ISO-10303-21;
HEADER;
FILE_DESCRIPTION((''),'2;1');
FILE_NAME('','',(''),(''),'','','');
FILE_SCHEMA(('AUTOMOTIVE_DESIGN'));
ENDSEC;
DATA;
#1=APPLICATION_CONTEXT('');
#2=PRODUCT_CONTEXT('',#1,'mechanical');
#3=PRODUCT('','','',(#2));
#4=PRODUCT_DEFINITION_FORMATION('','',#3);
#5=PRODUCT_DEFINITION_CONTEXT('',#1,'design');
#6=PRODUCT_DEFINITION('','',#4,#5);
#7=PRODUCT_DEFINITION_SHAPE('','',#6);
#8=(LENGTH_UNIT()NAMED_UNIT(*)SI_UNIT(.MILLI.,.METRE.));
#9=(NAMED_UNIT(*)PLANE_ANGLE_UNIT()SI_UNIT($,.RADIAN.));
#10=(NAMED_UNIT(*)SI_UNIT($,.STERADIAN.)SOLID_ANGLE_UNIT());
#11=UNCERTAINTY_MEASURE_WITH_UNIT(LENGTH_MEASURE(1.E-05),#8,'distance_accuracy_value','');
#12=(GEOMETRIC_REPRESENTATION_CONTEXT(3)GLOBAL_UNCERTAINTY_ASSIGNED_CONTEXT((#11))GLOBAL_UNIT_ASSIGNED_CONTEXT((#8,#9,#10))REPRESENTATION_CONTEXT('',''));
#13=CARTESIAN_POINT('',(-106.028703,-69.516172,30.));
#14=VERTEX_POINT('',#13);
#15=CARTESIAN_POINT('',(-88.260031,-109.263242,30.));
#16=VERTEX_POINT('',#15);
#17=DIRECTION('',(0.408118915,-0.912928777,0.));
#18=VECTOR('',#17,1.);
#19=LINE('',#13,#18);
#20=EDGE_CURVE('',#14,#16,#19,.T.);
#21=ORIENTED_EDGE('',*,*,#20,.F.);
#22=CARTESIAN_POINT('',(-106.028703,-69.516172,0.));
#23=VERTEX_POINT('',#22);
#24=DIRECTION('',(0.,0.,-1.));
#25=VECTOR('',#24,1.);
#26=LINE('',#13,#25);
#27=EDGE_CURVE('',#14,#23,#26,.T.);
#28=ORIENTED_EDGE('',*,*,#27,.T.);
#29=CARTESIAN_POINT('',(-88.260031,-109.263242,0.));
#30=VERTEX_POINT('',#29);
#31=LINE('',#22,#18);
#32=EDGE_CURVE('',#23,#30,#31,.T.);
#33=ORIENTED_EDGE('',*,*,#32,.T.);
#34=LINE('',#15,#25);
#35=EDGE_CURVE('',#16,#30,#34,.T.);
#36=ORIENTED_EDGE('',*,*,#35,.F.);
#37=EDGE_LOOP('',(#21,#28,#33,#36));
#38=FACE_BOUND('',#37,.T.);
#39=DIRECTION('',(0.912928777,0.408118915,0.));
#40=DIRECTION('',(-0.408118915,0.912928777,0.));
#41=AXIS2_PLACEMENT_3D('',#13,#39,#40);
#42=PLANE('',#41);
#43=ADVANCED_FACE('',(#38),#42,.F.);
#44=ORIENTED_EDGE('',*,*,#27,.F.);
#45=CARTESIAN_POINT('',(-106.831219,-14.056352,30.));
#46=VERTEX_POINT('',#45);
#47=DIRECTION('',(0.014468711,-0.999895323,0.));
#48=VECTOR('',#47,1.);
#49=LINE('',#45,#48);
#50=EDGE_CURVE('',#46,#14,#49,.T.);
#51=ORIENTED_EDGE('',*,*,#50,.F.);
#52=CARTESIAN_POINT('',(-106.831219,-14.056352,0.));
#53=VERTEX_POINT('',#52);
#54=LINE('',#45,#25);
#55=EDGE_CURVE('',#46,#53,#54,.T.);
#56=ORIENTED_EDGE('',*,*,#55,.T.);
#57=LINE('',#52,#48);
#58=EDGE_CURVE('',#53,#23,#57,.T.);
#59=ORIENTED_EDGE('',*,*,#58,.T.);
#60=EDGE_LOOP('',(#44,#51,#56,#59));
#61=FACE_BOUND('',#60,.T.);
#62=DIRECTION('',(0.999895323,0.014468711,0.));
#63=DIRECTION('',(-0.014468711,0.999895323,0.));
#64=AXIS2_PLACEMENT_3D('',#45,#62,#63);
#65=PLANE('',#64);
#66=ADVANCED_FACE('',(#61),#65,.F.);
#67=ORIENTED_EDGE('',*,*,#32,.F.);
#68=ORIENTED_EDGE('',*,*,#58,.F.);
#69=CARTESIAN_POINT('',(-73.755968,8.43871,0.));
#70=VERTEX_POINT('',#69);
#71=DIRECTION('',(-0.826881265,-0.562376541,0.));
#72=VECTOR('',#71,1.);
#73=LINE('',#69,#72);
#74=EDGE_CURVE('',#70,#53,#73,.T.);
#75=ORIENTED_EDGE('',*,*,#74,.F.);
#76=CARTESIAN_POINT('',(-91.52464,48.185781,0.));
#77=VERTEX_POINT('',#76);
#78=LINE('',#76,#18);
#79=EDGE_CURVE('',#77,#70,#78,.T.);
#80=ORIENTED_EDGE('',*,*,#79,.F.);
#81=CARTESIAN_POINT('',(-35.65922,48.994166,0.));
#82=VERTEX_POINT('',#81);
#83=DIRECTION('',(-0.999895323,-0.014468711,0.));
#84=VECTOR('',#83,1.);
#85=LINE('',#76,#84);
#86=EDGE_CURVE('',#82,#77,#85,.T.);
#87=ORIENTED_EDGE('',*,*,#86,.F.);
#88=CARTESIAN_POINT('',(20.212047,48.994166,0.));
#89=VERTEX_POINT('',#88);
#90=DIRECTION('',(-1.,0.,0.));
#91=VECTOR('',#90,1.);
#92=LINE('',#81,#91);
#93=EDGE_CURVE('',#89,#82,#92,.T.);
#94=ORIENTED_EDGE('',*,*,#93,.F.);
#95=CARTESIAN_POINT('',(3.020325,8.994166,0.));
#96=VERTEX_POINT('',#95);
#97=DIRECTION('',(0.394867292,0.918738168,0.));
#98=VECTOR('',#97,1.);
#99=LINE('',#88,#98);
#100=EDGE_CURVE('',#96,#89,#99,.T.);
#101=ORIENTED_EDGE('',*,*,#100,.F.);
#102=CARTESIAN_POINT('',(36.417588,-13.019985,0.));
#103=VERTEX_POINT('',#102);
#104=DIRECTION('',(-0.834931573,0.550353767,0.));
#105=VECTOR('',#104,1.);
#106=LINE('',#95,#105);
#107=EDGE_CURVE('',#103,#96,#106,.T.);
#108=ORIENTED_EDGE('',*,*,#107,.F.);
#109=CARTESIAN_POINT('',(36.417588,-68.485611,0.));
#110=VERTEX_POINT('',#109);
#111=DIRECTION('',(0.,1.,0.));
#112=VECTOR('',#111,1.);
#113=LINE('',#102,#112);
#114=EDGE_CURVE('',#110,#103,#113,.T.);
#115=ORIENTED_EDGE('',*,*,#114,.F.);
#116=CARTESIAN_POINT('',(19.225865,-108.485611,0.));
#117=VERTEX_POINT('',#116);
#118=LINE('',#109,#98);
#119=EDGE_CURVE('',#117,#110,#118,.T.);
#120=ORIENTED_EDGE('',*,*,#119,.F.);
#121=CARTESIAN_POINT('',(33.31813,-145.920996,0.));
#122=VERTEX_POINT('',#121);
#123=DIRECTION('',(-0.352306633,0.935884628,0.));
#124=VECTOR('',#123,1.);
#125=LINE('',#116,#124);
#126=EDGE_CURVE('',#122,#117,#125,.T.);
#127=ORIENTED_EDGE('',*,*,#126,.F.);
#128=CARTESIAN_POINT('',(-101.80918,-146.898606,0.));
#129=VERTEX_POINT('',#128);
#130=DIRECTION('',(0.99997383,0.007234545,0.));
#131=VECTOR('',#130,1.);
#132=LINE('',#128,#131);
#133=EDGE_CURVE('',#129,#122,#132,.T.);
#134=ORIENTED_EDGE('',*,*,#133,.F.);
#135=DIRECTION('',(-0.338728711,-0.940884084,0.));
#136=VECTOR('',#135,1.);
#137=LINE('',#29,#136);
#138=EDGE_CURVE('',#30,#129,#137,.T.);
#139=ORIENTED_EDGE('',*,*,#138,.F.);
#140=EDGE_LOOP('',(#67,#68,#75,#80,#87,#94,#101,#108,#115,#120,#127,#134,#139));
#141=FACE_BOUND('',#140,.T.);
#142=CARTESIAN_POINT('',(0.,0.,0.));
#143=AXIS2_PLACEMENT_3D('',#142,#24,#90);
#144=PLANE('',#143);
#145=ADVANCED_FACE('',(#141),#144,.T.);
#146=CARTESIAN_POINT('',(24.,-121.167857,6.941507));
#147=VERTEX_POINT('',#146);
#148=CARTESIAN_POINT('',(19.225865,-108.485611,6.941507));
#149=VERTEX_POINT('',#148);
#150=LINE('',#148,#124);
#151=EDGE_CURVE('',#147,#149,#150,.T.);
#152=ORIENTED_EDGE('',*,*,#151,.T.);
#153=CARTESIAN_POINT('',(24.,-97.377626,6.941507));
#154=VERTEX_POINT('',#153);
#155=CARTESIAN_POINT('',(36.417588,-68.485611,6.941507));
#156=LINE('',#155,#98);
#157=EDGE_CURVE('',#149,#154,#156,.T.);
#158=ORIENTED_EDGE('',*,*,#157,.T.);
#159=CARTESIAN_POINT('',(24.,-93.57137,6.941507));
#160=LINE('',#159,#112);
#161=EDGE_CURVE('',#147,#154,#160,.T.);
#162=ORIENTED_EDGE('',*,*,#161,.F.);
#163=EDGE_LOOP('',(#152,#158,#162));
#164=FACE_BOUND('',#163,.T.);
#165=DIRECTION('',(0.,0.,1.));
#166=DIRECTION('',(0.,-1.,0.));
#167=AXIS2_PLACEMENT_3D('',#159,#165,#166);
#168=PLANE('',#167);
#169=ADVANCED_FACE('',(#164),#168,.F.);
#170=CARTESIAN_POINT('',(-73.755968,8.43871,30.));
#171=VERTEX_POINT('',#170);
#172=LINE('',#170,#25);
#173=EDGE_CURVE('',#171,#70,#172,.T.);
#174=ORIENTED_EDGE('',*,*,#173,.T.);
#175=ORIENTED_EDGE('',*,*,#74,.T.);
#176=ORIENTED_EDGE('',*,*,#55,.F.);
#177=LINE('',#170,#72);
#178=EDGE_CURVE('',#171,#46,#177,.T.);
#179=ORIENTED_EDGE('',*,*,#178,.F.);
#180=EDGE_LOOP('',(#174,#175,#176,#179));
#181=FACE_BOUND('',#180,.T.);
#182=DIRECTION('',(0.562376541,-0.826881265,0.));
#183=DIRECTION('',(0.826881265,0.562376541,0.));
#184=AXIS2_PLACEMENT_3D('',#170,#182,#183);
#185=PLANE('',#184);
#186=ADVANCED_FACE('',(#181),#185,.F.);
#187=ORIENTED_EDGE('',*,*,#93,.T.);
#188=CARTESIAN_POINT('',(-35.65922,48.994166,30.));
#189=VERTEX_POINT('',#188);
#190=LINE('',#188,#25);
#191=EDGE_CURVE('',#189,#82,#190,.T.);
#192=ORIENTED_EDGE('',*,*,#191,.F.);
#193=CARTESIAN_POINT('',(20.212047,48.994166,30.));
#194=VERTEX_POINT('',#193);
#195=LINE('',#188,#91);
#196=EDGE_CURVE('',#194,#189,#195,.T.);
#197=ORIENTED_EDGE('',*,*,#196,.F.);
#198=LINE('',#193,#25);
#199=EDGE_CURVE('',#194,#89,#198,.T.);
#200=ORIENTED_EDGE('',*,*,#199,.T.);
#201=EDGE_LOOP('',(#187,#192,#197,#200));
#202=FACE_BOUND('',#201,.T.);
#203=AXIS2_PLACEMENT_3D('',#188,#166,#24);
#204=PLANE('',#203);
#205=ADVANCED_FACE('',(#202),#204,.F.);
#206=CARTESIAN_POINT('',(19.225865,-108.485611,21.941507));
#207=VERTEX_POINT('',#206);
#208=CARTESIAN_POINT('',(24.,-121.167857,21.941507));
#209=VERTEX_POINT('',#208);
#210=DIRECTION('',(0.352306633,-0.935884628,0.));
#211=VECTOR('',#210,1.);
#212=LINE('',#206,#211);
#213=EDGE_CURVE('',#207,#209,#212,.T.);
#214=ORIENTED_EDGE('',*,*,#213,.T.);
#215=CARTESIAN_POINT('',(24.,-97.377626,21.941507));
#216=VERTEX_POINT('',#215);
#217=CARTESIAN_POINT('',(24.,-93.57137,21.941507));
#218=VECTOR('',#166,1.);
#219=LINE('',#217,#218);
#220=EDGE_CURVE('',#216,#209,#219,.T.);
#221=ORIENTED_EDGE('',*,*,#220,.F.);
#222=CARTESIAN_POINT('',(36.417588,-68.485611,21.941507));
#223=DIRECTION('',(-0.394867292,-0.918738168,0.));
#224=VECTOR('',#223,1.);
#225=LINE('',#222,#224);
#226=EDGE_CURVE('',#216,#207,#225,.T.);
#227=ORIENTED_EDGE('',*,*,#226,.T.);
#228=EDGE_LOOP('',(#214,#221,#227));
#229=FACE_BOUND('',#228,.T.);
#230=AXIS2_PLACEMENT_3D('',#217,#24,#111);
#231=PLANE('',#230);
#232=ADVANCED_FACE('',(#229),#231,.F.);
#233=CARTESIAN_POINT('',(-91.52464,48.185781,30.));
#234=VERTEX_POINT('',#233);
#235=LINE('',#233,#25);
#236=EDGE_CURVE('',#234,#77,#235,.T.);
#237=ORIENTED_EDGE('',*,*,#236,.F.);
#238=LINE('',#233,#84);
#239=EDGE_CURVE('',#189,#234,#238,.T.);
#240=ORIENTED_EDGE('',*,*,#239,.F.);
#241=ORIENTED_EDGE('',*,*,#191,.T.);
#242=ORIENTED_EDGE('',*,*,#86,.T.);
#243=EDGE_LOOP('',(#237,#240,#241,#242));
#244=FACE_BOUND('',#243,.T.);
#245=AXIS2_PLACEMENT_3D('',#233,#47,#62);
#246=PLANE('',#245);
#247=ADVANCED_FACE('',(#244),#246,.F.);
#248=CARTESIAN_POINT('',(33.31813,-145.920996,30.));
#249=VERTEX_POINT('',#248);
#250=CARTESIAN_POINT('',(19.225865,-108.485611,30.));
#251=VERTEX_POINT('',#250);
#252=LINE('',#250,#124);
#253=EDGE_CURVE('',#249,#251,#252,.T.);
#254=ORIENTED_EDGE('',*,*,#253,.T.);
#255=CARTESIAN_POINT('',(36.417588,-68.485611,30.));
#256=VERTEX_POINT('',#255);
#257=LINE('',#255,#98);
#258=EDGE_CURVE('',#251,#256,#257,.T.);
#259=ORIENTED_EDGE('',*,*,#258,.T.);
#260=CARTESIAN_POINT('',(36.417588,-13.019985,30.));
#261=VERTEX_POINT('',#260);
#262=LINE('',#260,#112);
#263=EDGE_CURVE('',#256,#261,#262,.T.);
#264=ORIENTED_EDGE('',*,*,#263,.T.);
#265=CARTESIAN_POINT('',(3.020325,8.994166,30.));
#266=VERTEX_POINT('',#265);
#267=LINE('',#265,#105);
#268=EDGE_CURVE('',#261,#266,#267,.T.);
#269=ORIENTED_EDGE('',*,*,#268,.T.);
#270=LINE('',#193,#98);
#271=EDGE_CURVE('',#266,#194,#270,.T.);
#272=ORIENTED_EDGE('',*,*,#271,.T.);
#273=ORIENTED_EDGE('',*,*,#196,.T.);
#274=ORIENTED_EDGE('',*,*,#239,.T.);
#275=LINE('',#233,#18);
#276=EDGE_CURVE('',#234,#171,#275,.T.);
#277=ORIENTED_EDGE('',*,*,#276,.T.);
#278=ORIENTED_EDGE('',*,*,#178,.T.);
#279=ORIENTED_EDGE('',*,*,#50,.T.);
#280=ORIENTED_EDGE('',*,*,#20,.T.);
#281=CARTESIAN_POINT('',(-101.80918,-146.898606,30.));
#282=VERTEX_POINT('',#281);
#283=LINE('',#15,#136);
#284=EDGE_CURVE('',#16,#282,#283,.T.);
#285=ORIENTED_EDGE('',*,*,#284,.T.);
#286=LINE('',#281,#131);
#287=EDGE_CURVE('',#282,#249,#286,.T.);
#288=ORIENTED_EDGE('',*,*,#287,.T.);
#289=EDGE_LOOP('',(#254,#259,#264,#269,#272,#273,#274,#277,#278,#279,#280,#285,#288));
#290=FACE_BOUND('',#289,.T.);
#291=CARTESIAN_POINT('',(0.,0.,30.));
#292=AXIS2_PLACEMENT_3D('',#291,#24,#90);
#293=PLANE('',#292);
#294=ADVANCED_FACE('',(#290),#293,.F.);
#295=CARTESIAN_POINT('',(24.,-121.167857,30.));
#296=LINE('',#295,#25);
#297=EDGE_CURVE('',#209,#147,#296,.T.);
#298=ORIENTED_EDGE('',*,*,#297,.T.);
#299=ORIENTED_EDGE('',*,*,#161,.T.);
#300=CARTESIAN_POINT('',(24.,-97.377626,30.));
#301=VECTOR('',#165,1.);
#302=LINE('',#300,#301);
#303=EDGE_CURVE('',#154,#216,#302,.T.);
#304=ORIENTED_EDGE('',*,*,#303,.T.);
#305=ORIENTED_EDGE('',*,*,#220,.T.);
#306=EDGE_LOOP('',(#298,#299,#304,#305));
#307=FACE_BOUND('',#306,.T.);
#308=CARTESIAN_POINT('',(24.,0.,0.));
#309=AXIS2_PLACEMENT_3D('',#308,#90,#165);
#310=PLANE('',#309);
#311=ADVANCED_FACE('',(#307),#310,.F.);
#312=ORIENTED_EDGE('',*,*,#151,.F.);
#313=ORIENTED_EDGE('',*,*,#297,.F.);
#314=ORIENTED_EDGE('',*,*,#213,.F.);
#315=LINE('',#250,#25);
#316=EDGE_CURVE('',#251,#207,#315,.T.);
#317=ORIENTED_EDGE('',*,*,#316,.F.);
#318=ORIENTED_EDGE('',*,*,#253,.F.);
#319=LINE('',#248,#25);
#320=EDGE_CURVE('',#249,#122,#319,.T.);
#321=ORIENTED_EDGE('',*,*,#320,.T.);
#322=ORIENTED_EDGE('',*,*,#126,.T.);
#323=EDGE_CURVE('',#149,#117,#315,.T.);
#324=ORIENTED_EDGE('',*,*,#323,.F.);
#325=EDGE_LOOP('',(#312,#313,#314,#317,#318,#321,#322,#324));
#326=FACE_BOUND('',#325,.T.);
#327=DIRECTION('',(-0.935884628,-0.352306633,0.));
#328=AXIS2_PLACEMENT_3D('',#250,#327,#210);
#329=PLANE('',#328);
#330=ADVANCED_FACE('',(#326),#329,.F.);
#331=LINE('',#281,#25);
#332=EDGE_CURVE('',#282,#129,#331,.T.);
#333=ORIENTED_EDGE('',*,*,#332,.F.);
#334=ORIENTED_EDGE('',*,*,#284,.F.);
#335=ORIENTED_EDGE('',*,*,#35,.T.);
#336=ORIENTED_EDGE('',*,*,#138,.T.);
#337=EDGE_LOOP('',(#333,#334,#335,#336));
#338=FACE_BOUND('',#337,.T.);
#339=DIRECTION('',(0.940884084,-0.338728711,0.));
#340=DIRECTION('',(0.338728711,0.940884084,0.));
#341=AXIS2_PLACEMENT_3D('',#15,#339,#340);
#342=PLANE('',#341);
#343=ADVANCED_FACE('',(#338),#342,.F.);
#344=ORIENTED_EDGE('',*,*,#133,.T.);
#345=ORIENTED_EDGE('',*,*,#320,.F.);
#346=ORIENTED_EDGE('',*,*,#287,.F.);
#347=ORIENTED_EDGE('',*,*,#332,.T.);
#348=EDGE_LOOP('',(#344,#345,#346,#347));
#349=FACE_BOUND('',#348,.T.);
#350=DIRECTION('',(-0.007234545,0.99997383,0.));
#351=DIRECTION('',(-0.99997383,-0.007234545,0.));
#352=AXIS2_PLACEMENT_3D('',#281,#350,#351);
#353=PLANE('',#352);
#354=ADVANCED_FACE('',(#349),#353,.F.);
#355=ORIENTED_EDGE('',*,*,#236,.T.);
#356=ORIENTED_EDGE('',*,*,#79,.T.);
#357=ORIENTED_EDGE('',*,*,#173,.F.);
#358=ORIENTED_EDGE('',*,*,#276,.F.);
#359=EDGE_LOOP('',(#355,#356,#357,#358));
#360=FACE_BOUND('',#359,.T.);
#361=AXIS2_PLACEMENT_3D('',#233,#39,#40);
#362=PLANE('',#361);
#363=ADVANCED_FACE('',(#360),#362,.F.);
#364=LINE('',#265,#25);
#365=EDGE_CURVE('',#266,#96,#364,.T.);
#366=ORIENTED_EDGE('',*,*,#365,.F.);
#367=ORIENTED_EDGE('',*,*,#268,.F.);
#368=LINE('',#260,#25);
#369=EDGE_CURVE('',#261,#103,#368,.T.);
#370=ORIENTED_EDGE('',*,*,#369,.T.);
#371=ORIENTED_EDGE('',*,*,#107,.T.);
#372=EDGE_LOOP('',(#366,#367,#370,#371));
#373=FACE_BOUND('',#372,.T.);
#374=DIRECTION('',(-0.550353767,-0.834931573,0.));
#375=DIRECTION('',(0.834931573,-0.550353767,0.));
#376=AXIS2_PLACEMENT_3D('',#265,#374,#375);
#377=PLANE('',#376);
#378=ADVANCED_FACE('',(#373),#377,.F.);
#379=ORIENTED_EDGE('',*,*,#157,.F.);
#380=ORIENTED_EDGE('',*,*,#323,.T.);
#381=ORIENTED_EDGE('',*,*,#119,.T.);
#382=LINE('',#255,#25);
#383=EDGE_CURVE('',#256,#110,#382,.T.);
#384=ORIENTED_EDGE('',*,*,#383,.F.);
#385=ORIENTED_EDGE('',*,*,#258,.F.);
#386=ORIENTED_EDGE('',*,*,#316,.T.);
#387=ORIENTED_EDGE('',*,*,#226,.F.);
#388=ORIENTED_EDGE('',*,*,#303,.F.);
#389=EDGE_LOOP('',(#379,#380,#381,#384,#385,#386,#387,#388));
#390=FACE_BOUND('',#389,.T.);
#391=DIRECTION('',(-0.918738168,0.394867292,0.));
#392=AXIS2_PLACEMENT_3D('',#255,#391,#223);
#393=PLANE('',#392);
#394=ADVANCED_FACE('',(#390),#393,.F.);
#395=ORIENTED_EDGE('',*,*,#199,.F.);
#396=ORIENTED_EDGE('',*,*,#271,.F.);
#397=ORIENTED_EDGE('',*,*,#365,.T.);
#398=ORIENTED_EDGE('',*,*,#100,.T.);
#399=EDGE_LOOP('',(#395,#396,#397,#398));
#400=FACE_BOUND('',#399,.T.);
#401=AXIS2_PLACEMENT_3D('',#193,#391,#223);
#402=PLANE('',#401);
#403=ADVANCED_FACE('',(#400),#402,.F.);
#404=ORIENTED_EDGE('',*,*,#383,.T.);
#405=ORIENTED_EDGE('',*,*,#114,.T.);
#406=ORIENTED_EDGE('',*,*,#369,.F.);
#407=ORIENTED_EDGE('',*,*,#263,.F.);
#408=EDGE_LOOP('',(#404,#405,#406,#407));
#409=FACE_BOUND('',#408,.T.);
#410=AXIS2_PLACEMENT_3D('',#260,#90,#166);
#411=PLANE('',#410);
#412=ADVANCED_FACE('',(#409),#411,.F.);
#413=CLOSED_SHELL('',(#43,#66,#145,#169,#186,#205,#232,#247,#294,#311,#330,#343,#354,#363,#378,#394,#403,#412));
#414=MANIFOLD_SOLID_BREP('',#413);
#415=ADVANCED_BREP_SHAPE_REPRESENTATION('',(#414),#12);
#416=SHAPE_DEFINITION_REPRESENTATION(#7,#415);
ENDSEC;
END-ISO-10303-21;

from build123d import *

# Parameters (mm, degrees)
BOSS_EXTRUDE1_DEPTH = 30
SKETCH6_W           = 15
SKETCH6_H           = 30
BOSS_EXTRUDE2_DEPTH = 24


with BuildPart() as part:
    # Sketch2 → Boss-Extrude1 (new body)
    with BuildSketch(Plane.XY):
        Polygon((-35.659220441, 48.994166095), (20.212047263, 48.994166095), (3.020324726, 8.994166095), (36.417587641, -13.019984577), (36.417587641, -68.485610583), (19.225865104, -108.485610583), (33.318130441, -145.920995684), (-101.80917988, -146.898605829), (-88.260031439, -109.263242453), (-106.02870282, -69.516171603), (-106.831218915, -14.056351587), (-73.755968311, 8.438710038), (-91.524639692, 48.185780888), align=None)
    extrude(amount=BOSS_EXTRUDE1_DEPTH)

    # Sketch6 → Boss-Extrude2 (add)
    with BuildSketch(Plane(origin=(0, 0, 0), x_dir=(0, 0, -1), z_dir=(1, 0, 0))):
        with Locations((-14.441506787, -108.571370402)):
            Rectangle(SKETCH6_W, SKETCH6_H)
    extrude(amount=BOSS_EXTRUDE2_DEPTH)


solid = part.part
